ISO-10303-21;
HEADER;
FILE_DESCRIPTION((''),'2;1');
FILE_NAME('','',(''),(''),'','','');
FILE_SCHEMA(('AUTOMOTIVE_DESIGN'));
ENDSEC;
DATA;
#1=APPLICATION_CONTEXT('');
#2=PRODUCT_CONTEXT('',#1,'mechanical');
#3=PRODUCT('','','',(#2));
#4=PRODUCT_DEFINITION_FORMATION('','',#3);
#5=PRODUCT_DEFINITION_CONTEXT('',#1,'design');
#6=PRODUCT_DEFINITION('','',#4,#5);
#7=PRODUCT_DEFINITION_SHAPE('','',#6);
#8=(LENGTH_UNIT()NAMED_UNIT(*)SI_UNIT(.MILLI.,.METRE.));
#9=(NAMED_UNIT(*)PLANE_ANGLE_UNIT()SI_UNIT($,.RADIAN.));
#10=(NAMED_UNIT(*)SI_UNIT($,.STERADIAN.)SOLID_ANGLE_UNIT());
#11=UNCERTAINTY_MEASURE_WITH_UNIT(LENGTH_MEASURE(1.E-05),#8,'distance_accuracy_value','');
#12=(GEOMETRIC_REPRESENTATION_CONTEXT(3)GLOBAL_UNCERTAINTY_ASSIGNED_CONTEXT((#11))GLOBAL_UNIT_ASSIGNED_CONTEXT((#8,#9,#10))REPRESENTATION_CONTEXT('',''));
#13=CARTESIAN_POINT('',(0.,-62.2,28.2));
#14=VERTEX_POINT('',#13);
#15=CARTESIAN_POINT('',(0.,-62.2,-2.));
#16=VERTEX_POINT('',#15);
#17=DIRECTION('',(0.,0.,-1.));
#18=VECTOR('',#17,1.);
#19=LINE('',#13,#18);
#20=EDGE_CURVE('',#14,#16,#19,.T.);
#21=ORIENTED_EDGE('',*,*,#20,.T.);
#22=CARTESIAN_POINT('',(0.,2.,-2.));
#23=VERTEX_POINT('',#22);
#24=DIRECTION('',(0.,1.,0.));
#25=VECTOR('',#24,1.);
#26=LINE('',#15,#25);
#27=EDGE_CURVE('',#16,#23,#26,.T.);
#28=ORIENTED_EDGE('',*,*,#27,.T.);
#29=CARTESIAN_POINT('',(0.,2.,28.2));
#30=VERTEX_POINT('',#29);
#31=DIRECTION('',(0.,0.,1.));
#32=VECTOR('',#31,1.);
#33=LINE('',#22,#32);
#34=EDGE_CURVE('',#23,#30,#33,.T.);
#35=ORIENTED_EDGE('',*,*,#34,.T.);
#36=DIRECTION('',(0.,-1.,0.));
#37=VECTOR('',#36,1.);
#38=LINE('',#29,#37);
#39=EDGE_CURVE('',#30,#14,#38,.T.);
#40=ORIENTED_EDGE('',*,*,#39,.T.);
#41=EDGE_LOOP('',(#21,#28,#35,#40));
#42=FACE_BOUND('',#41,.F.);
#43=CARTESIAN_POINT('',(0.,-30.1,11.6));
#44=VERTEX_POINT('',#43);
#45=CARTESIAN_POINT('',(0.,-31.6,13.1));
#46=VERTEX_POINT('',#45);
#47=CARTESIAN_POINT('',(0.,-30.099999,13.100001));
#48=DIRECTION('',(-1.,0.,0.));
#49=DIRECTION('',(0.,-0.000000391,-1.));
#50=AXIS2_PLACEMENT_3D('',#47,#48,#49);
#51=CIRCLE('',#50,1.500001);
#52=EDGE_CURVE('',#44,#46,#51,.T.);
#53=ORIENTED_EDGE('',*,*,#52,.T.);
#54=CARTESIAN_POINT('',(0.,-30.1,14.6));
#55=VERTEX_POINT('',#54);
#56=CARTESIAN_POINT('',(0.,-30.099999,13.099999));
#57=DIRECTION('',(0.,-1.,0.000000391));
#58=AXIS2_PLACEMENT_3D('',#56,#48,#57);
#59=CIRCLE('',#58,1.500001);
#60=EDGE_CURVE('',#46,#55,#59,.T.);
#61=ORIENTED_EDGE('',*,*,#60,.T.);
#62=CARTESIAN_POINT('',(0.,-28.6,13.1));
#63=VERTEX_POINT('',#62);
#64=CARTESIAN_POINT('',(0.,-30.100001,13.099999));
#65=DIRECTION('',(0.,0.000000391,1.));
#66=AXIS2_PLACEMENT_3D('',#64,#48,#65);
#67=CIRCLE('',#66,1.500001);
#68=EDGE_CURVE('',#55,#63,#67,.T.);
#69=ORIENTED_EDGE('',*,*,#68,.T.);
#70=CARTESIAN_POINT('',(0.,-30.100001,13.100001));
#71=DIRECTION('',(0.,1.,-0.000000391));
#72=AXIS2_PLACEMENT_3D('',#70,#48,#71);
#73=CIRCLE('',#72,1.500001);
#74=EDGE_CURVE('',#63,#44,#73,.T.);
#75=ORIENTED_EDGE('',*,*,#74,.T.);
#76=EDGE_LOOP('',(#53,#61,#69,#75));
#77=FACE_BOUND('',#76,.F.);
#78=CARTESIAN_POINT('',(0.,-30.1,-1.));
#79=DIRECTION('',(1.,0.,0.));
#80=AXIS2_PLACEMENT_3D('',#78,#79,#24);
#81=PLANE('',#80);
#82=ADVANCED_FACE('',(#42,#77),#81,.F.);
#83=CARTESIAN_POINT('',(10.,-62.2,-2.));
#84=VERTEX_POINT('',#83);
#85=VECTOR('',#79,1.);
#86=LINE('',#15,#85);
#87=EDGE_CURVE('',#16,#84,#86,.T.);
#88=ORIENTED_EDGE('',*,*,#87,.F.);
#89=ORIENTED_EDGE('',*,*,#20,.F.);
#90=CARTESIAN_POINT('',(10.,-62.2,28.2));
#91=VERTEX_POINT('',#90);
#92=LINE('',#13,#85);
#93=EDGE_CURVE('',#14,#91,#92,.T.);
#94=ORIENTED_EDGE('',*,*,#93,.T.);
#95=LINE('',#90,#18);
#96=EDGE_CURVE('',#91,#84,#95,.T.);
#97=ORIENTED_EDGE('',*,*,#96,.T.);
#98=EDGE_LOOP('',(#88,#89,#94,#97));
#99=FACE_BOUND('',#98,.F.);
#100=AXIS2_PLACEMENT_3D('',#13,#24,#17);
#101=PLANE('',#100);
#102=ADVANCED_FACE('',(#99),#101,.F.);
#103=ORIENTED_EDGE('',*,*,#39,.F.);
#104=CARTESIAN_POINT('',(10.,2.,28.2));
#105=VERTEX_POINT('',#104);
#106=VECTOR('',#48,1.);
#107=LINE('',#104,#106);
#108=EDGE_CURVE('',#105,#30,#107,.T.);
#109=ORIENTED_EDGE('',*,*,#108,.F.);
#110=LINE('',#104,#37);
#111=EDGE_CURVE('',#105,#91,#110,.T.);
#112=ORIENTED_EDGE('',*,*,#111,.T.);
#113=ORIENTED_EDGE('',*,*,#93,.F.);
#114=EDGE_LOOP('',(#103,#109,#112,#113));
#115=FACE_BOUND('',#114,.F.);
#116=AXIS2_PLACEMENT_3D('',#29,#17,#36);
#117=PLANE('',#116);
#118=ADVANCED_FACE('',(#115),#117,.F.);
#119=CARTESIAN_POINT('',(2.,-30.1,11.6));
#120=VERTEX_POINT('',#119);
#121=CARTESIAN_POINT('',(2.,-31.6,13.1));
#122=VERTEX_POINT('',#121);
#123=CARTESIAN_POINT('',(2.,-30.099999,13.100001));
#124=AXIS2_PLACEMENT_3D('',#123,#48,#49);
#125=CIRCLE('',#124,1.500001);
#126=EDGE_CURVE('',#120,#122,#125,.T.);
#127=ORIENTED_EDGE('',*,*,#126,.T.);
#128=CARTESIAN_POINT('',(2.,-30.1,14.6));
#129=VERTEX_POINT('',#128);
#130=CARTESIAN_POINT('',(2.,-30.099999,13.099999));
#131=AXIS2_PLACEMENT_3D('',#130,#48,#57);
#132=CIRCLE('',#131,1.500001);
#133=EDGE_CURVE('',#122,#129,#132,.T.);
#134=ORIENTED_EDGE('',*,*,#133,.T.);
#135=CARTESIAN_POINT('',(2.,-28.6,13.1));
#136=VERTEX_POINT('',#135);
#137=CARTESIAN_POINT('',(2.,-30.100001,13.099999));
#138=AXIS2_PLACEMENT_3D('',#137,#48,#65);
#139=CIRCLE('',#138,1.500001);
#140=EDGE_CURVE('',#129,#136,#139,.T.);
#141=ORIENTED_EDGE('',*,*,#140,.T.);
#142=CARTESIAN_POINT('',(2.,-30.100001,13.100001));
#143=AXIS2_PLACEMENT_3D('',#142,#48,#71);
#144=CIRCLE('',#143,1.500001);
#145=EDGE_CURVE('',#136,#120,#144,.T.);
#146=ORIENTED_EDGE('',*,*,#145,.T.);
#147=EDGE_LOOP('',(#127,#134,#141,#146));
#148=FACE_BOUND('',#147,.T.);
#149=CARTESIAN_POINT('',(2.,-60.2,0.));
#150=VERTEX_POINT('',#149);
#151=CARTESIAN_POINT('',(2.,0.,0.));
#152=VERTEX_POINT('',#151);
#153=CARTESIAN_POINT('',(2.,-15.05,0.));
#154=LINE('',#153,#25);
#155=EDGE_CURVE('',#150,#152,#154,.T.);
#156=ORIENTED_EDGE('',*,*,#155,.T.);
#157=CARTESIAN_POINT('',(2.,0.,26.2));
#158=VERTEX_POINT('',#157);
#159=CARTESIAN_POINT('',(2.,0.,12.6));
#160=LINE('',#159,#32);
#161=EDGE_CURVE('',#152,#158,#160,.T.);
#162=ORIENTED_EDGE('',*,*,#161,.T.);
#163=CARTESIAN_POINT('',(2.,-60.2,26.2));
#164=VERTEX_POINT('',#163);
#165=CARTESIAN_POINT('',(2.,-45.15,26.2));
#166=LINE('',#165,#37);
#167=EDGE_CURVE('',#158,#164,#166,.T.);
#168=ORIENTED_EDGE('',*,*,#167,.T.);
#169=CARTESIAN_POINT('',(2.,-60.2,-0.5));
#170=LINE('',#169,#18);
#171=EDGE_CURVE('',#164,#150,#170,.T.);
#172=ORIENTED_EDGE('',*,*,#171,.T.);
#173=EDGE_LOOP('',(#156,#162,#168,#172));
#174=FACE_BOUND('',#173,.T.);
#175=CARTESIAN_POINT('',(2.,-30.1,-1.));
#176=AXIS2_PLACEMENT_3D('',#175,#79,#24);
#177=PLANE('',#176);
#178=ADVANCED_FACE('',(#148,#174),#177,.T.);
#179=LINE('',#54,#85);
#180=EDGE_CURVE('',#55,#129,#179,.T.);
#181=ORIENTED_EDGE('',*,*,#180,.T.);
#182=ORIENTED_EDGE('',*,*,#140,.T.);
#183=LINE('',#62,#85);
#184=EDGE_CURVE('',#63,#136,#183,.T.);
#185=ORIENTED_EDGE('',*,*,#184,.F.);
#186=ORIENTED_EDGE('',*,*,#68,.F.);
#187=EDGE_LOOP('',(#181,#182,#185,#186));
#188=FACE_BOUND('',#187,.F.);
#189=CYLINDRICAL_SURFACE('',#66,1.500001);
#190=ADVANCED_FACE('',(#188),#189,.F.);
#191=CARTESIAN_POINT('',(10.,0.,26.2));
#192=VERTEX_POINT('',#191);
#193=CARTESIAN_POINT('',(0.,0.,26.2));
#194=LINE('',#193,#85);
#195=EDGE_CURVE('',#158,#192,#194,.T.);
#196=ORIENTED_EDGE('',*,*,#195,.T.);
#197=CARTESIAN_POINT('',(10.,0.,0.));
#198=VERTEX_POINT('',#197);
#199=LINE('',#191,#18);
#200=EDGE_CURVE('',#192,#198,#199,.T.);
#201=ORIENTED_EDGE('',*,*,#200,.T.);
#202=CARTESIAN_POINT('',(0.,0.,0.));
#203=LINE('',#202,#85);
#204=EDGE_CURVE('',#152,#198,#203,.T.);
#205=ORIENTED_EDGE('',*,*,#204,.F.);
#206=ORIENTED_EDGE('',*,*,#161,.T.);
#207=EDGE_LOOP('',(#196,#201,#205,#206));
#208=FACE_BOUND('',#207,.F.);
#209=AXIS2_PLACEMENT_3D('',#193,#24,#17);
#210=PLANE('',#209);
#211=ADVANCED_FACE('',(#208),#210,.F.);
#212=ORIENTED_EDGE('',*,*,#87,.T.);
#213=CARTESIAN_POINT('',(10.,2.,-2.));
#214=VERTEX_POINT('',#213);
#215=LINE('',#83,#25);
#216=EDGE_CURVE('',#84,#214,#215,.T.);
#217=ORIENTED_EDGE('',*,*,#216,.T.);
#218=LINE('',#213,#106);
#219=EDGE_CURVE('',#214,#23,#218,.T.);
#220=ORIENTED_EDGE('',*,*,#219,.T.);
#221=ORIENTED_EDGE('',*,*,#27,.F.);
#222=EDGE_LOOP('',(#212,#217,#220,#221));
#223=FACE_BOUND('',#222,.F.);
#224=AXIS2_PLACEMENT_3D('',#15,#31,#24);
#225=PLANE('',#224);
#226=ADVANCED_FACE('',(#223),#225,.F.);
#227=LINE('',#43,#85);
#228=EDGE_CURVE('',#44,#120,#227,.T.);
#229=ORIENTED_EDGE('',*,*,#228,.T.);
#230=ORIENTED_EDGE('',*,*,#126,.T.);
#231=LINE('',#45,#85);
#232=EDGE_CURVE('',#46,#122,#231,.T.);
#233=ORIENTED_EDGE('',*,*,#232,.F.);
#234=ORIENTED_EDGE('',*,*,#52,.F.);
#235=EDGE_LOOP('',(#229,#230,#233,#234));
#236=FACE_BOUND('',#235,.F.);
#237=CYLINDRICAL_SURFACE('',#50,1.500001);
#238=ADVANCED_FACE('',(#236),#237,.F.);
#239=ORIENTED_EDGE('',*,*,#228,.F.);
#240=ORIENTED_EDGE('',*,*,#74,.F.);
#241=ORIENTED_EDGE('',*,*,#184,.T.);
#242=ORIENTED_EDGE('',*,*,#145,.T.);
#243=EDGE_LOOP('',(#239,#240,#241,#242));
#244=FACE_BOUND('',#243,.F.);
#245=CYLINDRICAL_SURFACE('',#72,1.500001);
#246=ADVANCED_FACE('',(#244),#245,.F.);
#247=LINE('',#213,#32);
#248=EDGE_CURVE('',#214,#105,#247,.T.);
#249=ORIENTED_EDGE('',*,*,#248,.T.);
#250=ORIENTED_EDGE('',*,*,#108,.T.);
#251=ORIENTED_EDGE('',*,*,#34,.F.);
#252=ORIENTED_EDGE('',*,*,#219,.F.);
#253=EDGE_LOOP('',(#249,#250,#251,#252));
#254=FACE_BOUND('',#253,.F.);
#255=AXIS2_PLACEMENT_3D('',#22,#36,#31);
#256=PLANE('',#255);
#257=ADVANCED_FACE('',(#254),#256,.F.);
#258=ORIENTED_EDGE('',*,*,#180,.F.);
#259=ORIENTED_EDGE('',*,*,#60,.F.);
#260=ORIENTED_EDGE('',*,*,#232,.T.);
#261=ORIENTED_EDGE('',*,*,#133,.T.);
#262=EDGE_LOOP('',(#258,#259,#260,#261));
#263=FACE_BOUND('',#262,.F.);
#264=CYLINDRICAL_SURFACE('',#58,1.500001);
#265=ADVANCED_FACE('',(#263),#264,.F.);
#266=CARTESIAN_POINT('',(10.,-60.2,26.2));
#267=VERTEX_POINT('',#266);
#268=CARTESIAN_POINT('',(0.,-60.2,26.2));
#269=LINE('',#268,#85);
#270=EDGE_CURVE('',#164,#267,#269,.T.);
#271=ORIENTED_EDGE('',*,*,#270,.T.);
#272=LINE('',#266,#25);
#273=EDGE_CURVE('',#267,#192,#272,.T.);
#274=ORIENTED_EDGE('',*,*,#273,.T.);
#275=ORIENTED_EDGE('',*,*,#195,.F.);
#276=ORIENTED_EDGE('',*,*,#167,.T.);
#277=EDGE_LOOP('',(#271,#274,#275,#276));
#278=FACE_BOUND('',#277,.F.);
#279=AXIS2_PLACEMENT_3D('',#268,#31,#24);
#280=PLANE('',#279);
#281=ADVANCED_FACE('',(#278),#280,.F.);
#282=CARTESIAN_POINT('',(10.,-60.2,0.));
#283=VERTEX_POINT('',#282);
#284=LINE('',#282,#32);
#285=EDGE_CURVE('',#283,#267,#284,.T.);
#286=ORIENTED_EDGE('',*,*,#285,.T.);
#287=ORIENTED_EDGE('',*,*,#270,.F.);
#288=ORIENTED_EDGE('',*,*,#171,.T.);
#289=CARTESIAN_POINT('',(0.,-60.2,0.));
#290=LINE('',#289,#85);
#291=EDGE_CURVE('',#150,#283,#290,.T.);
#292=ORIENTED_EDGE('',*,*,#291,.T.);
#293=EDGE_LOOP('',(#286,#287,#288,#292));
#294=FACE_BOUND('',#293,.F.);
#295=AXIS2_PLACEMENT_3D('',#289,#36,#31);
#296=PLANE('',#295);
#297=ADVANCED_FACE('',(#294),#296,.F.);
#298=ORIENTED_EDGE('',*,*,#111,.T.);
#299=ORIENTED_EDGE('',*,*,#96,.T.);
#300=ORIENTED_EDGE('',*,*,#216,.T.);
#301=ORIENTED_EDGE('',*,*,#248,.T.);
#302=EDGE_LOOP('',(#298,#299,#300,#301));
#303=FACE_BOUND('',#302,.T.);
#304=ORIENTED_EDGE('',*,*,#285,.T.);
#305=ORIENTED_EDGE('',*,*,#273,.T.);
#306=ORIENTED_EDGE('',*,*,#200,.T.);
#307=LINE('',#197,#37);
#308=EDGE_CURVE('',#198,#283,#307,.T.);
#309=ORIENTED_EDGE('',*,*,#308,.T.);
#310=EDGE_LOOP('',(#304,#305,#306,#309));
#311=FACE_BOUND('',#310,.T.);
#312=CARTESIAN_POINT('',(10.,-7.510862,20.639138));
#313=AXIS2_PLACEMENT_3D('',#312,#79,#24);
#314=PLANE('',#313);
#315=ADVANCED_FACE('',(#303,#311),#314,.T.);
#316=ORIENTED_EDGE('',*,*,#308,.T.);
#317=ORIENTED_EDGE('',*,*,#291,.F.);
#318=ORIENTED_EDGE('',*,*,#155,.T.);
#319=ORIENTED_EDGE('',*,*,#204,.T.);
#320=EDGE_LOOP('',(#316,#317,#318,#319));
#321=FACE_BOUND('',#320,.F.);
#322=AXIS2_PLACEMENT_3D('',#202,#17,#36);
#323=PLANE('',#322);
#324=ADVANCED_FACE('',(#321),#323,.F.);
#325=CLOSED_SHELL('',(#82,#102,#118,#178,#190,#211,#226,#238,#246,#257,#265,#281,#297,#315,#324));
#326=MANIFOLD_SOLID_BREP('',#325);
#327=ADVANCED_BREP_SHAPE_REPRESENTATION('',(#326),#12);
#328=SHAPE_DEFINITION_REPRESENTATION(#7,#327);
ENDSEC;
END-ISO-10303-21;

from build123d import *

# Parameters (mm, degrees)
F1_DEPTH = 2
F2_DEPTH = 10


with BuildPart() as f1:
    # F0 (on Right) → F1 (new body)
    with BuildSketch(Plane.YZ):
        Polygon((2, 0), (0, 0), (-30.1, 0), (-60.2, 0), (-62.2, 0), (-62.2, -2), (2, -2), align=None)
        Polygon((0, 26.2), (0, 0), (2, 0), (2, 28.2), (-30.1, 28.2), (-30.1, 26.2), align=None)
        with BuildLine():
            Line((-60.2, 0), (-30.1, 0))
            Line((-30.1, 0), (-30.1, 11.6))
            ThreePointArc((-30.1, 11.6), (-31.16066, 12.03934), (-31.6, 13.1))
            ThreePointArc((-31.6, 13.1), (-31.16066, 14.16066), (-30.1, 14.6))
            Line((-30.1, 14.6), (-30.1, 26.2))
            Line((-30.1, 26.2), (-60.2, 26.2))
            Line((-60.2, 26.2), (-60.2, 0))
        make_face()
        Polygon((-62.2, 0), (-60.2, 0), (-60.2, 26.2), (-30.1, 26.2), (-30.1, 28.2), (-62.2, 28.2), align=None)
        with BuildLine():
            Line((-30.1, 0), (0, 0))
            Line((0, 0), (0, 26.2))
            Line((0, 26.2), (-30.1, 26.2))
            Line((-30.1, 26.2), (-30.1, 14.6))
            ThreePointArc((-30.1, 14.6), (-29.03934, 14.16066), (-28.6, 13.1))
            ThreePointArc((-28.6, 13.1), (-29.03934, 12.03934), (-30.1, 11.6))
            Line((-30.1, 11.6), (-30.1, 0))
        make_face()
    extrude(amount=F1_DEPTH)

    # F0 (on Right) → F2 (join)
    with BuildSketch(Plane.YZ):
        Polygon((0, 26.2), (0, 0), (2, 0), (2, 28.2), (-30.1, 28.2), (-30.1, 26.2), align=None)
        Polygon((2, 0), (0, 0), (-30.1, 0), (-60.2, 0), (-62.2, 0), (-62.2, -2), (2, -2), align=None)
        Polygon((-62.2, 0), (-60.2, 0), (-60.2, 26.2), (-30.1, 26.2), (-30.1, 28.2), (-62.2, 28.2), align=None)
    extrude(amount=F2_DEPTH)


solid = f1.part
